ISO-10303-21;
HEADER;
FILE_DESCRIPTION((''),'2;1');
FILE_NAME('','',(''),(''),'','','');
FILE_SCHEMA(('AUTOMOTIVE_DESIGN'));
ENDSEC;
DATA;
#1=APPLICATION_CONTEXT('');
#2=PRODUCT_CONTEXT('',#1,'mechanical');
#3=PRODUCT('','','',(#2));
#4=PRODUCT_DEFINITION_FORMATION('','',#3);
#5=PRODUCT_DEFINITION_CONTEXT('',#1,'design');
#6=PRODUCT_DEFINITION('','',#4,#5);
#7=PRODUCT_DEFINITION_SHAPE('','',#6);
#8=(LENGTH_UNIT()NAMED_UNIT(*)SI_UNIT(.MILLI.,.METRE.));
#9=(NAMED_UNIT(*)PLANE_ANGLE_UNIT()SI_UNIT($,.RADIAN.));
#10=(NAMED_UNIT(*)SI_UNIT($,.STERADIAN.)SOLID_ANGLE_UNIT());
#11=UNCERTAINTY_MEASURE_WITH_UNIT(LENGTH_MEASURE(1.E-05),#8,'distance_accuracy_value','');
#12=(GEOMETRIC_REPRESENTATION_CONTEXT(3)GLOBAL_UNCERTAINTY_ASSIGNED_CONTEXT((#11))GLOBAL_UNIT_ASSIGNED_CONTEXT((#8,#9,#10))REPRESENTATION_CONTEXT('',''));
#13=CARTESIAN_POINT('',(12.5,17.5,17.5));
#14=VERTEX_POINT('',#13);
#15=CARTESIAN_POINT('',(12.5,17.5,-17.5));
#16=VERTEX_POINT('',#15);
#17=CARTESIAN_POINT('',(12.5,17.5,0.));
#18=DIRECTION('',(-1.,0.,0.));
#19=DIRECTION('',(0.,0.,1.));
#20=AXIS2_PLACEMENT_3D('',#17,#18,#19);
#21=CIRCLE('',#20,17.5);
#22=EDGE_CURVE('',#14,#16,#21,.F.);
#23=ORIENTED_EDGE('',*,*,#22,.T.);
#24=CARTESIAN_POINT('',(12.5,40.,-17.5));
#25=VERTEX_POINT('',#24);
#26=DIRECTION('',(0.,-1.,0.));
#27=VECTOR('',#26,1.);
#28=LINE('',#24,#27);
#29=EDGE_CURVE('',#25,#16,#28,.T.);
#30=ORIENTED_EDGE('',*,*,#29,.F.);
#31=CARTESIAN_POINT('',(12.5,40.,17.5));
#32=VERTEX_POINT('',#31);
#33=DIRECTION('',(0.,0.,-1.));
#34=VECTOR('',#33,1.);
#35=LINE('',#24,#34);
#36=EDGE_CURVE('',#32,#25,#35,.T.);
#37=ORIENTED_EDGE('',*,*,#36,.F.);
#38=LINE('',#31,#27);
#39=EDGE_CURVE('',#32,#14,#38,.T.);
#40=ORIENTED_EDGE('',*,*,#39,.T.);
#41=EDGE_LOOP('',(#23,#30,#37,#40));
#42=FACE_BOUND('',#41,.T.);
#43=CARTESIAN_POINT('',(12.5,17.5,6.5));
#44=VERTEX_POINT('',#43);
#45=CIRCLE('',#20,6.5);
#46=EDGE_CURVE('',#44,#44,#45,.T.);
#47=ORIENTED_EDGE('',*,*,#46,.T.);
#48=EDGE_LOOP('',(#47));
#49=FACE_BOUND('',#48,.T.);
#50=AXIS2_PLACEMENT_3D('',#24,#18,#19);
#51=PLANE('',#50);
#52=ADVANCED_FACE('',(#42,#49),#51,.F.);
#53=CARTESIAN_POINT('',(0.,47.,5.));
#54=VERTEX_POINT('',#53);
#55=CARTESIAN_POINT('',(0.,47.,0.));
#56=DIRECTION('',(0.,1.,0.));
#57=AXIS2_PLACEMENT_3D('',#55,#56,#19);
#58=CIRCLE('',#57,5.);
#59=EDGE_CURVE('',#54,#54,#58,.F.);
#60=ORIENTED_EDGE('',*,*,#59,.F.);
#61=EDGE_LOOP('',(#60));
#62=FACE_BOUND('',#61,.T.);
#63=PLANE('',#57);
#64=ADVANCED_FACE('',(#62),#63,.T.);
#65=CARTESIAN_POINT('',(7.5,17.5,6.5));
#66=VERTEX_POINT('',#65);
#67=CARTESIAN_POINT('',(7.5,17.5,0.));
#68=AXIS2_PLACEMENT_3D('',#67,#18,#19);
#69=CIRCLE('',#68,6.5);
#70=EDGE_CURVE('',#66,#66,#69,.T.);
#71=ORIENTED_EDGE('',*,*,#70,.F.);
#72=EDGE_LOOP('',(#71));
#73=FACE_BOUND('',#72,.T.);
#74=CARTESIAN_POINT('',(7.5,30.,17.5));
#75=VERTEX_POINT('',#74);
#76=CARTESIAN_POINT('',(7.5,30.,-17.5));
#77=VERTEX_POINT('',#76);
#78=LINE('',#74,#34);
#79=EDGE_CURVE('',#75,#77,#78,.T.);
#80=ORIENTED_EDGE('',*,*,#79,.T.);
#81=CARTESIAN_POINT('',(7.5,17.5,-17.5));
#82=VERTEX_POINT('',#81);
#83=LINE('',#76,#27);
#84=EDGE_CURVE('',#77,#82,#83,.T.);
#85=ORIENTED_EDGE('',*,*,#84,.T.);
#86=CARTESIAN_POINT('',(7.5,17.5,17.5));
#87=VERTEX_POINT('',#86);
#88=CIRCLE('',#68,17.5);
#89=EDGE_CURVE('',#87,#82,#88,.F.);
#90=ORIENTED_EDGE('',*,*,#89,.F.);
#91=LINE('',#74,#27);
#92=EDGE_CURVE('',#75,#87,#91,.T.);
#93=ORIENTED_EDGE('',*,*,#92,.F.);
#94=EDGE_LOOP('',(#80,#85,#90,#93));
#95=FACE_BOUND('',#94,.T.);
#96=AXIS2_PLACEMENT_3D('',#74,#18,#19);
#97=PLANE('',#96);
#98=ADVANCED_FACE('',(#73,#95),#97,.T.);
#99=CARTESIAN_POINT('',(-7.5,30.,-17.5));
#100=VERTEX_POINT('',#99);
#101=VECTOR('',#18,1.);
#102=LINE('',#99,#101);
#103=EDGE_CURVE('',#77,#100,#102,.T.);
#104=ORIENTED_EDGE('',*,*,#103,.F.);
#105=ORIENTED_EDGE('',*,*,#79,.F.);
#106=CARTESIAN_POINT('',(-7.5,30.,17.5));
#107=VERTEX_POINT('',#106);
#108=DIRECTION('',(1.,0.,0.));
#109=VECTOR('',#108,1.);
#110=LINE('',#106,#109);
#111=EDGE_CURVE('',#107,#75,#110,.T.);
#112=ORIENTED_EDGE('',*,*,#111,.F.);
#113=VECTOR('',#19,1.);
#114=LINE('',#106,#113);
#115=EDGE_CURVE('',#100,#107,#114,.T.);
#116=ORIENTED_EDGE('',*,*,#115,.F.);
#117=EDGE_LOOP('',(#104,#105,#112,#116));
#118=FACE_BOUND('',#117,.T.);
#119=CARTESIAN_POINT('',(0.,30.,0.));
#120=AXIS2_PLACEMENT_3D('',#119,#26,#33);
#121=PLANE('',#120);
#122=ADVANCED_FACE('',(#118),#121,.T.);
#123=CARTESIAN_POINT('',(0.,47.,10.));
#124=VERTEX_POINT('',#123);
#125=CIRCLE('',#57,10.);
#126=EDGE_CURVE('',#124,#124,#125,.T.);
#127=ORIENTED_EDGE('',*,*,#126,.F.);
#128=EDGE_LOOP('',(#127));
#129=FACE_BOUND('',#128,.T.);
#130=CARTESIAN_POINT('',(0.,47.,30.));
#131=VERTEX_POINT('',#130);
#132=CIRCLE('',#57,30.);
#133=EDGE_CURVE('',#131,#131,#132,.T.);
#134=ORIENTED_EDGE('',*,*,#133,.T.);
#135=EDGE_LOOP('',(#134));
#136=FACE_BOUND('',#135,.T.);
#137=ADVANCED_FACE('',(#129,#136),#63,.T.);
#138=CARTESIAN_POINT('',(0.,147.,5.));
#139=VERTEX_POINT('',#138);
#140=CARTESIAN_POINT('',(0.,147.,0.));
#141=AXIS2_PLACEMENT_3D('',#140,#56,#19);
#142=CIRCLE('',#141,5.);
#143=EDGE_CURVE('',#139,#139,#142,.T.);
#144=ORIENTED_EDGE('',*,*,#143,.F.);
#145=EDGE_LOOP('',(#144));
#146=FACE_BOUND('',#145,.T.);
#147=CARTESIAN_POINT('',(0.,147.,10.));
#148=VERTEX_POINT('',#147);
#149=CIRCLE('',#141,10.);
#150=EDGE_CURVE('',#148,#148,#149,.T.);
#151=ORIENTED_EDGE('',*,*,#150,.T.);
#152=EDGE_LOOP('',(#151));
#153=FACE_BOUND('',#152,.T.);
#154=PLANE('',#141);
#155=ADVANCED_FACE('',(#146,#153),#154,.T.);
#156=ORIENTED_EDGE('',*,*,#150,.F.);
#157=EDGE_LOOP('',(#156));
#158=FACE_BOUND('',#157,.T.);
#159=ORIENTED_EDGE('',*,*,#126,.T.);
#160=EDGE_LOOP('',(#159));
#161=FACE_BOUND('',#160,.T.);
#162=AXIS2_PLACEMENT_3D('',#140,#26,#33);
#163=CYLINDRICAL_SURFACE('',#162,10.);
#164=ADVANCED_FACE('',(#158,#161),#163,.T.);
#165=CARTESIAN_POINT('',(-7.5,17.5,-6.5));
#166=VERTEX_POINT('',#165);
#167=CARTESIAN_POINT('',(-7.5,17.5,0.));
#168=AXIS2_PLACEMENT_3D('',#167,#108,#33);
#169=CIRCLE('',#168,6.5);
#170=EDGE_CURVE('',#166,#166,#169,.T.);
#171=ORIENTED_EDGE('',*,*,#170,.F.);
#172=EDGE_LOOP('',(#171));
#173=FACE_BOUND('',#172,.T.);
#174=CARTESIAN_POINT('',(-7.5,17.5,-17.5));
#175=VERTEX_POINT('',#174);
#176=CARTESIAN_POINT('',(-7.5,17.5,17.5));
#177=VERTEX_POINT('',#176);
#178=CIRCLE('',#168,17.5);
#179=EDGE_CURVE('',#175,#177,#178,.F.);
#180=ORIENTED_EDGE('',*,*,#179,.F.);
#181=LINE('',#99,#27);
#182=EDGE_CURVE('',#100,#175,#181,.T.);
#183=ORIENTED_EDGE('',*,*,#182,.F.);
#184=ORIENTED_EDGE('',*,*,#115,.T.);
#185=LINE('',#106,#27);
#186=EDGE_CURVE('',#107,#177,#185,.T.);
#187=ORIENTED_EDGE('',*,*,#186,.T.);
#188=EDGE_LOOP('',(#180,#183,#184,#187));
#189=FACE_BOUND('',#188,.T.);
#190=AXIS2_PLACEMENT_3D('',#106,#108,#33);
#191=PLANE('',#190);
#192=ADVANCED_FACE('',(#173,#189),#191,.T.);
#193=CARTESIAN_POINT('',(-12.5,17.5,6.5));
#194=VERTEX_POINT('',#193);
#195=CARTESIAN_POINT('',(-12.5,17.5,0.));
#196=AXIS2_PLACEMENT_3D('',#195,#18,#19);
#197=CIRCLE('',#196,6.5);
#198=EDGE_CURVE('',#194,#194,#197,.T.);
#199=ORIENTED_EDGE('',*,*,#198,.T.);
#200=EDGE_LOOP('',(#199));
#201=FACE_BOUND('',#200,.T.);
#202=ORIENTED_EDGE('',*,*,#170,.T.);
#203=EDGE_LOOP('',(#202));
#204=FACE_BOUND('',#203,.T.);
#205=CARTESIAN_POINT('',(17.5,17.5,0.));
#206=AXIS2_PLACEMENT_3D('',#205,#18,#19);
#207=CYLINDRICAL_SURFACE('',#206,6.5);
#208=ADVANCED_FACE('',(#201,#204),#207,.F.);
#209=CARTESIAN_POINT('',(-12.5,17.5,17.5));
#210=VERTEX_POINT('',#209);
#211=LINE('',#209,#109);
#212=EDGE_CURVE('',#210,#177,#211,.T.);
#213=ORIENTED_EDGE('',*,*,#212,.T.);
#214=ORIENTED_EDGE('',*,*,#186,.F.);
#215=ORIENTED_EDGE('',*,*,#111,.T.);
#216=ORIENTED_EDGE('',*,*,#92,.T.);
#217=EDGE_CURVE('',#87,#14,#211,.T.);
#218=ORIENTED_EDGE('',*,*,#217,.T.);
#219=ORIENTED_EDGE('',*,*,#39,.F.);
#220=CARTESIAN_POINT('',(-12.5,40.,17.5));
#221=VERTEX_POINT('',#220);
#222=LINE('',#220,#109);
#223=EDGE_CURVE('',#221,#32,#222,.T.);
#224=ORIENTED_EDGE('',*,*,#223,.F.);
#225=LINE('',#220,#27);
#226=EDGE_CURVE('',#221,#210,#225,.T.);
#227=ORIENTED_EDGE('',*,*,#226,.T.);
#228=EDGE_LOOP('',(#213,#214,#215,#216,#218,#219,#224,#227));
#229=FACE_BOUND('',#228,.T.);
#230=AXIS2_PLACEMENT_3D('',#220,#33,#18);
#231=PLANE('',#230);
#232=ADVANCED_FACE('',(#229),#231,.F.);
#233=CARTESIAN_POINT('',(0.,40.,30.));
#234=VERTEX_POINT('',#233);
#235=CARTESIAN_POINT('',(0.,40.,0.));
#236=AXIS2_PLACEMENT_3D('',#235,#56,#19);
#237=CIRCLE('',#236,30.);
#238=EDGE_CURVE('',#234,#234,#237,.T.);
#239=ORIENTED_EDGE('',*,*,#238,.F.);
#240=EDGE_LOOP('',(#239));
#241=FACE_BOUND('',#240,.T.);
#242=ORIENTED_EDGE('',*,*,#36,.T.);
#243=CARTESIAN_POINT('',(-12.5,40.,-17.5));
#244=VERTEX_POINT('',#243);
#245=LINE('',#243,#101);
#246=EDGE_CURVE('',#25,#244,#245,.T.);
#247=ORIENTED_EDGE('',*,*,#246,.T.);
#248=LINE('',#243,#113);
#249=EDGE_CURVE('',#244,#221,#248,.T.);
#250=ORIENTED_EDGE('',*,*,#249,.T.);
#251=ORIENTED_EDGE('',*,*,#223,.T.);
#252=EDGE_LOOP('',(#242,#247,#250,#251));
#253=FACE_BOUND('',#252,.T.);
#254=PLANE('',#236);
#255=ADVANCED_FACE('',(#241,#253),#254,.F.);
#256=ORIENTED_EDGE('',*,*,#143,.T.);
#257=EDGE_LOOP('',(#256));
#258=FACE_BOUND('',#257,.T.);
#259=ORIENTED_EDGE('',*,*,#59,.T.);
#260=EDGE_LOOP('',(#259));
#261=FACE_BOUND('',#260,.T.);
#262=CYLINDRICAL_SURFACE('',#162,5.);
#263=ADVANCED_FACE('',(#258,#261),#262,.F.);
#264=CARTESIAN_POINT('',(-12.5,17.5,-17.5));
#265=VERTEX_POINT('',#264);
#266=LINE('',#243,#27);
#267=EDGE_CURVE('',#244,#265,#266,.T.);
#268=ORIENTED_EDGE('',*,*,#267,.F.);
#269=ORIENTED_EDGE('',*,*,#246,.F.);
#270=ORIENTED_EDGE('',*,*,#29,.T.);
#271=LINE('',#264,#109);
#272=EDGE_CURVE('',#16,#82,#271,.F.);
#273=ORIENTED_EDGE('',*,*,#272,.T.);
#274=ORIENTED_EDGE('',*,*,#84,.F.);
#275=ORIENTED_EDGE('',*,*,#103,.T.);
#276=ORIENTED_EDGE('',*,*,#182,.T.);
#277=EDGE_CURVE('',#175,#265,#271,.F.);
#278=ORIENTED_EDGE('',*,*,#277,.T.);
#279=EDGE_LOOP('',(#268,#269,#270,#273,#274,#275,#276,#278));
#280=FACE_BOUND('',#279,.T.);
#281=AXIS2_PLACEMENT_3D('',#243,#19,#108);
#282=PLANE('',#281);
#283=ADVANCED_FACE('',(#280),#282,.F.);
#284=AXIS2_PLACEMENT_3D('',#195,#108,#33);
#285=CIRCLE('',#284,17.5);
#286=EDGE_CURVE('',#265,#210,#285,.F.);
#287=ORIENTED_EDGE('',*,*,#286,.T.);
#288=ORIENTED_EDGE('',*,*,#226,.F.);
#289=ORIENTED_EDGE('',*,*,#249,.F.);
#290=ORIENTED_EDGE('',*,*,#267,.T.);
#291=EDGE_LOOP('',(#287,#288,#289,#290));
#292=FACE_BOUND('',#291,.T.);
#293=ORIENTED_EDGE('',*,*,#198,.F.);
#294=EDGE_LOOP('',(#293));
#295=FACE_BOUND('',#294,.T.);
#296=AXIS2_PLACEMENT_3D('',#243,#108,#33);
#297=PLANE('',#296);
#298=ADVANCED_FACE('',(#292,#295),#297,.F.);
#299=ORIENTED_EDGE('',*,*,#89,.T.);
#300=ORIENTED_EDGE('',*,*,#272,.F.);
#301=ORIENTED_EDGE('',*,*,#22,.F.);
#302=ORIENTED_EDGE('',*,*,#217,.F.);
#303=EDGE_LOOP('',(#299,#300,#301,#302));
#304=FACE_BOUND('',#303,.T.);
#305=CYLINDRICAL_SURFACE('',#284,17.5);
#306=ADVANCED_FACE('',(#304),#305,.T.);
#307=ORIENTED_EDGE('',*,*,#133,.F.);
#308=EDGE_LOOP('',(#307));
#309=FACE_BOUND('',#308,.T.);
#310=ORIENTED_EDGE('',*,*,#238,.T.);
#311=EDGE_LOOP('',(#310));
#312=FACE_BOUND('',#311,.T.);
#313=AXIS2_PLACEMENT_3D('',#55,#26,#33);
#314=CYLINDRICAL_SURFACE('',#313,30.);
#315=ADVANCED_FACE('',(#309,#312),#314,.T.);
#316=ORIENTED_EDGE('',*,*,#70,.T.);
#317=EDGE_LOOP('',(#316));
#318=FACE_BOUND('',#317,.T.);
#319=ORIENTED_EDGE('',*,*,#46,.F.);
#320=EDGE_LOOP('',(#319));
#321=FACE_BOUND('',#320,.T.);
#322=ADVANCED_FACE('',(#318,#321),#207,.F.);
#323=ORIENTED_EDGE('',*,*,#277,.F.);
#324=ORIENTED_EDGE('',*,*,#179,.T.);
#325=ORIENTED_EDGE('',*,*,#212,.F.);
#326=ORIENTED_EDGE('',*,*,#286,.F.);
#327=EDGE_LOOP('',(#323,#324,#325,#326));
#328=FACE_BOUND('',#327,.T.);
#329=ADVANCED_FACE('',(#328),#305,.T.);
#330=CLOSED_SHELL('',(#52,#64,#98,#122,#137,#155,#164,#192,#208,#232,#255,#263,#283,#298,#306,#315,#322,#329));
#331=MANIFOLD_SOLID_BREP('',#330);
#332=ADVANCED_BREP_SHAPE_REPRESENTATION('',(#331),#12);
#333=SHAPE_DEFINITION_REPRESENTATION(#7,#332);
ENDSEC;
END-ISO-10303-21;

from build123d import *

# Parameters (mm, degrees)
SKETCH1_W           = 25
SKETCH1_H           = 35
BOSS_EXTRUDE1_DEPTH = 40
FILLET1_RADIUS      = 17.5
FILLET1_LENGTH      = 25
SKETCH2_W           = 15
SKETCH2_H           = 35
CUT_EXTRUDE1_DEPTH  = 30
SKETCH3_R           = 6.5
CUT_EXTRUDE2_DEPTH  = 30
SKETCH5_R           = 30
BOSS_EXTRUDE2_DEPTH = 7
SKETCH6_R           = 10
SKETCH6_R_2         = 5
BOSS_EXTRUDE3_DEPTH = 100


with BuildPart() as part:
    # Sketch1 → Boss-Extrude1 (new body)
    with BuildSketch(Plane(origin=(0, 0, 0), x_dir=(1, 0, 0), z_dir=(0, 1, 0))):
        Rectangle(SKETCH1_W, SKETCH1_H)
    extrude(amount=BOSS_EXTRUDE1_DEPTH)

    # Fillet1: full round fillet: the end face becomes a half cylinder, R = half its width
    fillet1_face = Plane((0, 0, 0), x_dir=(-1, 0, 0), z_dir=(0, -1, 0))  # on the end face: x along it, z out of the body
    fillet1_slab = fillet1_face.offset(-FILLET1_RADIUS / 2) * Box(FILLET1_LENGTH, 2 * FILLET1_RADIUS, FILLET1_RADIUS, mode=Mode.PRIVATE)  # the body's end, R deep
    fillet1_round = Plane((0, 17.5, 0), x_dir=(0, -1, 0), z_dir=(-1, 0, 0)) * Cylinder(FILLET1_RADIUS, FILLET1_LENGTH, mode=Mode.PRIVATE)  # its axis R under the face
    add(fillet1_slab - fillet1_round, mode=Mode.SUBTRACT)

    # Sketch2 → Cut-Extrude1 (cut)
    with BuildSketch(Plane(origin=(0, 0, 0), x_dir=(1, 0, 0), z_dir=(0, 1, 0))):
        Rectangle(SKETCH2_W, SKETCH2_H)
    extrude(amount=CUT_EXTRUDE1_DEPTH, mode=Mode.SUBTRACT)

    # Sketch3 → Cut-Extrude2 (cut)
    with BuildSketch(Plane.ZY.offset(12.5)):
        with Locations((0, 17.5)):
            Circle(SKETCH3_R)
    extrude(amount=-CUT_EXTRUDE2_DEPTH, mode=Mode.SUBTRACT)

    # Sketch5 → Boss-Extrude2 (add)
    with BuildSketch(Plane(origin=(0, 40, 0), x_dir=(1, 0, 0), z_dir=(0, 1, 0))):
        with Locations(Location((0, 0, 0), (0, 0, 270))):
            Circle(SKETCH5_R)
    extrude(amount=BOSS_EXTRUDE2_DEPTH)

    # Sketch6 → Boss-Extrude3 (add)
    with BuildSketch(Plane(origin=(0, 47, 0), x_dir=(1, 0, 0), z_dir=(0, 1, 0))):
        with Locations(Location((0, 0, 0), (0, 0, 270))):
            Circle(SKETCH6_R)
        with Locations(Location((0, 0, 0), (0, 0, 270))):
            Circle(SKETCH6_R_2, mode=Mode.SUBTRACT)
    extrude(amount=BOSS_EXTRUDE3_DEPTH)


solid = part.part
